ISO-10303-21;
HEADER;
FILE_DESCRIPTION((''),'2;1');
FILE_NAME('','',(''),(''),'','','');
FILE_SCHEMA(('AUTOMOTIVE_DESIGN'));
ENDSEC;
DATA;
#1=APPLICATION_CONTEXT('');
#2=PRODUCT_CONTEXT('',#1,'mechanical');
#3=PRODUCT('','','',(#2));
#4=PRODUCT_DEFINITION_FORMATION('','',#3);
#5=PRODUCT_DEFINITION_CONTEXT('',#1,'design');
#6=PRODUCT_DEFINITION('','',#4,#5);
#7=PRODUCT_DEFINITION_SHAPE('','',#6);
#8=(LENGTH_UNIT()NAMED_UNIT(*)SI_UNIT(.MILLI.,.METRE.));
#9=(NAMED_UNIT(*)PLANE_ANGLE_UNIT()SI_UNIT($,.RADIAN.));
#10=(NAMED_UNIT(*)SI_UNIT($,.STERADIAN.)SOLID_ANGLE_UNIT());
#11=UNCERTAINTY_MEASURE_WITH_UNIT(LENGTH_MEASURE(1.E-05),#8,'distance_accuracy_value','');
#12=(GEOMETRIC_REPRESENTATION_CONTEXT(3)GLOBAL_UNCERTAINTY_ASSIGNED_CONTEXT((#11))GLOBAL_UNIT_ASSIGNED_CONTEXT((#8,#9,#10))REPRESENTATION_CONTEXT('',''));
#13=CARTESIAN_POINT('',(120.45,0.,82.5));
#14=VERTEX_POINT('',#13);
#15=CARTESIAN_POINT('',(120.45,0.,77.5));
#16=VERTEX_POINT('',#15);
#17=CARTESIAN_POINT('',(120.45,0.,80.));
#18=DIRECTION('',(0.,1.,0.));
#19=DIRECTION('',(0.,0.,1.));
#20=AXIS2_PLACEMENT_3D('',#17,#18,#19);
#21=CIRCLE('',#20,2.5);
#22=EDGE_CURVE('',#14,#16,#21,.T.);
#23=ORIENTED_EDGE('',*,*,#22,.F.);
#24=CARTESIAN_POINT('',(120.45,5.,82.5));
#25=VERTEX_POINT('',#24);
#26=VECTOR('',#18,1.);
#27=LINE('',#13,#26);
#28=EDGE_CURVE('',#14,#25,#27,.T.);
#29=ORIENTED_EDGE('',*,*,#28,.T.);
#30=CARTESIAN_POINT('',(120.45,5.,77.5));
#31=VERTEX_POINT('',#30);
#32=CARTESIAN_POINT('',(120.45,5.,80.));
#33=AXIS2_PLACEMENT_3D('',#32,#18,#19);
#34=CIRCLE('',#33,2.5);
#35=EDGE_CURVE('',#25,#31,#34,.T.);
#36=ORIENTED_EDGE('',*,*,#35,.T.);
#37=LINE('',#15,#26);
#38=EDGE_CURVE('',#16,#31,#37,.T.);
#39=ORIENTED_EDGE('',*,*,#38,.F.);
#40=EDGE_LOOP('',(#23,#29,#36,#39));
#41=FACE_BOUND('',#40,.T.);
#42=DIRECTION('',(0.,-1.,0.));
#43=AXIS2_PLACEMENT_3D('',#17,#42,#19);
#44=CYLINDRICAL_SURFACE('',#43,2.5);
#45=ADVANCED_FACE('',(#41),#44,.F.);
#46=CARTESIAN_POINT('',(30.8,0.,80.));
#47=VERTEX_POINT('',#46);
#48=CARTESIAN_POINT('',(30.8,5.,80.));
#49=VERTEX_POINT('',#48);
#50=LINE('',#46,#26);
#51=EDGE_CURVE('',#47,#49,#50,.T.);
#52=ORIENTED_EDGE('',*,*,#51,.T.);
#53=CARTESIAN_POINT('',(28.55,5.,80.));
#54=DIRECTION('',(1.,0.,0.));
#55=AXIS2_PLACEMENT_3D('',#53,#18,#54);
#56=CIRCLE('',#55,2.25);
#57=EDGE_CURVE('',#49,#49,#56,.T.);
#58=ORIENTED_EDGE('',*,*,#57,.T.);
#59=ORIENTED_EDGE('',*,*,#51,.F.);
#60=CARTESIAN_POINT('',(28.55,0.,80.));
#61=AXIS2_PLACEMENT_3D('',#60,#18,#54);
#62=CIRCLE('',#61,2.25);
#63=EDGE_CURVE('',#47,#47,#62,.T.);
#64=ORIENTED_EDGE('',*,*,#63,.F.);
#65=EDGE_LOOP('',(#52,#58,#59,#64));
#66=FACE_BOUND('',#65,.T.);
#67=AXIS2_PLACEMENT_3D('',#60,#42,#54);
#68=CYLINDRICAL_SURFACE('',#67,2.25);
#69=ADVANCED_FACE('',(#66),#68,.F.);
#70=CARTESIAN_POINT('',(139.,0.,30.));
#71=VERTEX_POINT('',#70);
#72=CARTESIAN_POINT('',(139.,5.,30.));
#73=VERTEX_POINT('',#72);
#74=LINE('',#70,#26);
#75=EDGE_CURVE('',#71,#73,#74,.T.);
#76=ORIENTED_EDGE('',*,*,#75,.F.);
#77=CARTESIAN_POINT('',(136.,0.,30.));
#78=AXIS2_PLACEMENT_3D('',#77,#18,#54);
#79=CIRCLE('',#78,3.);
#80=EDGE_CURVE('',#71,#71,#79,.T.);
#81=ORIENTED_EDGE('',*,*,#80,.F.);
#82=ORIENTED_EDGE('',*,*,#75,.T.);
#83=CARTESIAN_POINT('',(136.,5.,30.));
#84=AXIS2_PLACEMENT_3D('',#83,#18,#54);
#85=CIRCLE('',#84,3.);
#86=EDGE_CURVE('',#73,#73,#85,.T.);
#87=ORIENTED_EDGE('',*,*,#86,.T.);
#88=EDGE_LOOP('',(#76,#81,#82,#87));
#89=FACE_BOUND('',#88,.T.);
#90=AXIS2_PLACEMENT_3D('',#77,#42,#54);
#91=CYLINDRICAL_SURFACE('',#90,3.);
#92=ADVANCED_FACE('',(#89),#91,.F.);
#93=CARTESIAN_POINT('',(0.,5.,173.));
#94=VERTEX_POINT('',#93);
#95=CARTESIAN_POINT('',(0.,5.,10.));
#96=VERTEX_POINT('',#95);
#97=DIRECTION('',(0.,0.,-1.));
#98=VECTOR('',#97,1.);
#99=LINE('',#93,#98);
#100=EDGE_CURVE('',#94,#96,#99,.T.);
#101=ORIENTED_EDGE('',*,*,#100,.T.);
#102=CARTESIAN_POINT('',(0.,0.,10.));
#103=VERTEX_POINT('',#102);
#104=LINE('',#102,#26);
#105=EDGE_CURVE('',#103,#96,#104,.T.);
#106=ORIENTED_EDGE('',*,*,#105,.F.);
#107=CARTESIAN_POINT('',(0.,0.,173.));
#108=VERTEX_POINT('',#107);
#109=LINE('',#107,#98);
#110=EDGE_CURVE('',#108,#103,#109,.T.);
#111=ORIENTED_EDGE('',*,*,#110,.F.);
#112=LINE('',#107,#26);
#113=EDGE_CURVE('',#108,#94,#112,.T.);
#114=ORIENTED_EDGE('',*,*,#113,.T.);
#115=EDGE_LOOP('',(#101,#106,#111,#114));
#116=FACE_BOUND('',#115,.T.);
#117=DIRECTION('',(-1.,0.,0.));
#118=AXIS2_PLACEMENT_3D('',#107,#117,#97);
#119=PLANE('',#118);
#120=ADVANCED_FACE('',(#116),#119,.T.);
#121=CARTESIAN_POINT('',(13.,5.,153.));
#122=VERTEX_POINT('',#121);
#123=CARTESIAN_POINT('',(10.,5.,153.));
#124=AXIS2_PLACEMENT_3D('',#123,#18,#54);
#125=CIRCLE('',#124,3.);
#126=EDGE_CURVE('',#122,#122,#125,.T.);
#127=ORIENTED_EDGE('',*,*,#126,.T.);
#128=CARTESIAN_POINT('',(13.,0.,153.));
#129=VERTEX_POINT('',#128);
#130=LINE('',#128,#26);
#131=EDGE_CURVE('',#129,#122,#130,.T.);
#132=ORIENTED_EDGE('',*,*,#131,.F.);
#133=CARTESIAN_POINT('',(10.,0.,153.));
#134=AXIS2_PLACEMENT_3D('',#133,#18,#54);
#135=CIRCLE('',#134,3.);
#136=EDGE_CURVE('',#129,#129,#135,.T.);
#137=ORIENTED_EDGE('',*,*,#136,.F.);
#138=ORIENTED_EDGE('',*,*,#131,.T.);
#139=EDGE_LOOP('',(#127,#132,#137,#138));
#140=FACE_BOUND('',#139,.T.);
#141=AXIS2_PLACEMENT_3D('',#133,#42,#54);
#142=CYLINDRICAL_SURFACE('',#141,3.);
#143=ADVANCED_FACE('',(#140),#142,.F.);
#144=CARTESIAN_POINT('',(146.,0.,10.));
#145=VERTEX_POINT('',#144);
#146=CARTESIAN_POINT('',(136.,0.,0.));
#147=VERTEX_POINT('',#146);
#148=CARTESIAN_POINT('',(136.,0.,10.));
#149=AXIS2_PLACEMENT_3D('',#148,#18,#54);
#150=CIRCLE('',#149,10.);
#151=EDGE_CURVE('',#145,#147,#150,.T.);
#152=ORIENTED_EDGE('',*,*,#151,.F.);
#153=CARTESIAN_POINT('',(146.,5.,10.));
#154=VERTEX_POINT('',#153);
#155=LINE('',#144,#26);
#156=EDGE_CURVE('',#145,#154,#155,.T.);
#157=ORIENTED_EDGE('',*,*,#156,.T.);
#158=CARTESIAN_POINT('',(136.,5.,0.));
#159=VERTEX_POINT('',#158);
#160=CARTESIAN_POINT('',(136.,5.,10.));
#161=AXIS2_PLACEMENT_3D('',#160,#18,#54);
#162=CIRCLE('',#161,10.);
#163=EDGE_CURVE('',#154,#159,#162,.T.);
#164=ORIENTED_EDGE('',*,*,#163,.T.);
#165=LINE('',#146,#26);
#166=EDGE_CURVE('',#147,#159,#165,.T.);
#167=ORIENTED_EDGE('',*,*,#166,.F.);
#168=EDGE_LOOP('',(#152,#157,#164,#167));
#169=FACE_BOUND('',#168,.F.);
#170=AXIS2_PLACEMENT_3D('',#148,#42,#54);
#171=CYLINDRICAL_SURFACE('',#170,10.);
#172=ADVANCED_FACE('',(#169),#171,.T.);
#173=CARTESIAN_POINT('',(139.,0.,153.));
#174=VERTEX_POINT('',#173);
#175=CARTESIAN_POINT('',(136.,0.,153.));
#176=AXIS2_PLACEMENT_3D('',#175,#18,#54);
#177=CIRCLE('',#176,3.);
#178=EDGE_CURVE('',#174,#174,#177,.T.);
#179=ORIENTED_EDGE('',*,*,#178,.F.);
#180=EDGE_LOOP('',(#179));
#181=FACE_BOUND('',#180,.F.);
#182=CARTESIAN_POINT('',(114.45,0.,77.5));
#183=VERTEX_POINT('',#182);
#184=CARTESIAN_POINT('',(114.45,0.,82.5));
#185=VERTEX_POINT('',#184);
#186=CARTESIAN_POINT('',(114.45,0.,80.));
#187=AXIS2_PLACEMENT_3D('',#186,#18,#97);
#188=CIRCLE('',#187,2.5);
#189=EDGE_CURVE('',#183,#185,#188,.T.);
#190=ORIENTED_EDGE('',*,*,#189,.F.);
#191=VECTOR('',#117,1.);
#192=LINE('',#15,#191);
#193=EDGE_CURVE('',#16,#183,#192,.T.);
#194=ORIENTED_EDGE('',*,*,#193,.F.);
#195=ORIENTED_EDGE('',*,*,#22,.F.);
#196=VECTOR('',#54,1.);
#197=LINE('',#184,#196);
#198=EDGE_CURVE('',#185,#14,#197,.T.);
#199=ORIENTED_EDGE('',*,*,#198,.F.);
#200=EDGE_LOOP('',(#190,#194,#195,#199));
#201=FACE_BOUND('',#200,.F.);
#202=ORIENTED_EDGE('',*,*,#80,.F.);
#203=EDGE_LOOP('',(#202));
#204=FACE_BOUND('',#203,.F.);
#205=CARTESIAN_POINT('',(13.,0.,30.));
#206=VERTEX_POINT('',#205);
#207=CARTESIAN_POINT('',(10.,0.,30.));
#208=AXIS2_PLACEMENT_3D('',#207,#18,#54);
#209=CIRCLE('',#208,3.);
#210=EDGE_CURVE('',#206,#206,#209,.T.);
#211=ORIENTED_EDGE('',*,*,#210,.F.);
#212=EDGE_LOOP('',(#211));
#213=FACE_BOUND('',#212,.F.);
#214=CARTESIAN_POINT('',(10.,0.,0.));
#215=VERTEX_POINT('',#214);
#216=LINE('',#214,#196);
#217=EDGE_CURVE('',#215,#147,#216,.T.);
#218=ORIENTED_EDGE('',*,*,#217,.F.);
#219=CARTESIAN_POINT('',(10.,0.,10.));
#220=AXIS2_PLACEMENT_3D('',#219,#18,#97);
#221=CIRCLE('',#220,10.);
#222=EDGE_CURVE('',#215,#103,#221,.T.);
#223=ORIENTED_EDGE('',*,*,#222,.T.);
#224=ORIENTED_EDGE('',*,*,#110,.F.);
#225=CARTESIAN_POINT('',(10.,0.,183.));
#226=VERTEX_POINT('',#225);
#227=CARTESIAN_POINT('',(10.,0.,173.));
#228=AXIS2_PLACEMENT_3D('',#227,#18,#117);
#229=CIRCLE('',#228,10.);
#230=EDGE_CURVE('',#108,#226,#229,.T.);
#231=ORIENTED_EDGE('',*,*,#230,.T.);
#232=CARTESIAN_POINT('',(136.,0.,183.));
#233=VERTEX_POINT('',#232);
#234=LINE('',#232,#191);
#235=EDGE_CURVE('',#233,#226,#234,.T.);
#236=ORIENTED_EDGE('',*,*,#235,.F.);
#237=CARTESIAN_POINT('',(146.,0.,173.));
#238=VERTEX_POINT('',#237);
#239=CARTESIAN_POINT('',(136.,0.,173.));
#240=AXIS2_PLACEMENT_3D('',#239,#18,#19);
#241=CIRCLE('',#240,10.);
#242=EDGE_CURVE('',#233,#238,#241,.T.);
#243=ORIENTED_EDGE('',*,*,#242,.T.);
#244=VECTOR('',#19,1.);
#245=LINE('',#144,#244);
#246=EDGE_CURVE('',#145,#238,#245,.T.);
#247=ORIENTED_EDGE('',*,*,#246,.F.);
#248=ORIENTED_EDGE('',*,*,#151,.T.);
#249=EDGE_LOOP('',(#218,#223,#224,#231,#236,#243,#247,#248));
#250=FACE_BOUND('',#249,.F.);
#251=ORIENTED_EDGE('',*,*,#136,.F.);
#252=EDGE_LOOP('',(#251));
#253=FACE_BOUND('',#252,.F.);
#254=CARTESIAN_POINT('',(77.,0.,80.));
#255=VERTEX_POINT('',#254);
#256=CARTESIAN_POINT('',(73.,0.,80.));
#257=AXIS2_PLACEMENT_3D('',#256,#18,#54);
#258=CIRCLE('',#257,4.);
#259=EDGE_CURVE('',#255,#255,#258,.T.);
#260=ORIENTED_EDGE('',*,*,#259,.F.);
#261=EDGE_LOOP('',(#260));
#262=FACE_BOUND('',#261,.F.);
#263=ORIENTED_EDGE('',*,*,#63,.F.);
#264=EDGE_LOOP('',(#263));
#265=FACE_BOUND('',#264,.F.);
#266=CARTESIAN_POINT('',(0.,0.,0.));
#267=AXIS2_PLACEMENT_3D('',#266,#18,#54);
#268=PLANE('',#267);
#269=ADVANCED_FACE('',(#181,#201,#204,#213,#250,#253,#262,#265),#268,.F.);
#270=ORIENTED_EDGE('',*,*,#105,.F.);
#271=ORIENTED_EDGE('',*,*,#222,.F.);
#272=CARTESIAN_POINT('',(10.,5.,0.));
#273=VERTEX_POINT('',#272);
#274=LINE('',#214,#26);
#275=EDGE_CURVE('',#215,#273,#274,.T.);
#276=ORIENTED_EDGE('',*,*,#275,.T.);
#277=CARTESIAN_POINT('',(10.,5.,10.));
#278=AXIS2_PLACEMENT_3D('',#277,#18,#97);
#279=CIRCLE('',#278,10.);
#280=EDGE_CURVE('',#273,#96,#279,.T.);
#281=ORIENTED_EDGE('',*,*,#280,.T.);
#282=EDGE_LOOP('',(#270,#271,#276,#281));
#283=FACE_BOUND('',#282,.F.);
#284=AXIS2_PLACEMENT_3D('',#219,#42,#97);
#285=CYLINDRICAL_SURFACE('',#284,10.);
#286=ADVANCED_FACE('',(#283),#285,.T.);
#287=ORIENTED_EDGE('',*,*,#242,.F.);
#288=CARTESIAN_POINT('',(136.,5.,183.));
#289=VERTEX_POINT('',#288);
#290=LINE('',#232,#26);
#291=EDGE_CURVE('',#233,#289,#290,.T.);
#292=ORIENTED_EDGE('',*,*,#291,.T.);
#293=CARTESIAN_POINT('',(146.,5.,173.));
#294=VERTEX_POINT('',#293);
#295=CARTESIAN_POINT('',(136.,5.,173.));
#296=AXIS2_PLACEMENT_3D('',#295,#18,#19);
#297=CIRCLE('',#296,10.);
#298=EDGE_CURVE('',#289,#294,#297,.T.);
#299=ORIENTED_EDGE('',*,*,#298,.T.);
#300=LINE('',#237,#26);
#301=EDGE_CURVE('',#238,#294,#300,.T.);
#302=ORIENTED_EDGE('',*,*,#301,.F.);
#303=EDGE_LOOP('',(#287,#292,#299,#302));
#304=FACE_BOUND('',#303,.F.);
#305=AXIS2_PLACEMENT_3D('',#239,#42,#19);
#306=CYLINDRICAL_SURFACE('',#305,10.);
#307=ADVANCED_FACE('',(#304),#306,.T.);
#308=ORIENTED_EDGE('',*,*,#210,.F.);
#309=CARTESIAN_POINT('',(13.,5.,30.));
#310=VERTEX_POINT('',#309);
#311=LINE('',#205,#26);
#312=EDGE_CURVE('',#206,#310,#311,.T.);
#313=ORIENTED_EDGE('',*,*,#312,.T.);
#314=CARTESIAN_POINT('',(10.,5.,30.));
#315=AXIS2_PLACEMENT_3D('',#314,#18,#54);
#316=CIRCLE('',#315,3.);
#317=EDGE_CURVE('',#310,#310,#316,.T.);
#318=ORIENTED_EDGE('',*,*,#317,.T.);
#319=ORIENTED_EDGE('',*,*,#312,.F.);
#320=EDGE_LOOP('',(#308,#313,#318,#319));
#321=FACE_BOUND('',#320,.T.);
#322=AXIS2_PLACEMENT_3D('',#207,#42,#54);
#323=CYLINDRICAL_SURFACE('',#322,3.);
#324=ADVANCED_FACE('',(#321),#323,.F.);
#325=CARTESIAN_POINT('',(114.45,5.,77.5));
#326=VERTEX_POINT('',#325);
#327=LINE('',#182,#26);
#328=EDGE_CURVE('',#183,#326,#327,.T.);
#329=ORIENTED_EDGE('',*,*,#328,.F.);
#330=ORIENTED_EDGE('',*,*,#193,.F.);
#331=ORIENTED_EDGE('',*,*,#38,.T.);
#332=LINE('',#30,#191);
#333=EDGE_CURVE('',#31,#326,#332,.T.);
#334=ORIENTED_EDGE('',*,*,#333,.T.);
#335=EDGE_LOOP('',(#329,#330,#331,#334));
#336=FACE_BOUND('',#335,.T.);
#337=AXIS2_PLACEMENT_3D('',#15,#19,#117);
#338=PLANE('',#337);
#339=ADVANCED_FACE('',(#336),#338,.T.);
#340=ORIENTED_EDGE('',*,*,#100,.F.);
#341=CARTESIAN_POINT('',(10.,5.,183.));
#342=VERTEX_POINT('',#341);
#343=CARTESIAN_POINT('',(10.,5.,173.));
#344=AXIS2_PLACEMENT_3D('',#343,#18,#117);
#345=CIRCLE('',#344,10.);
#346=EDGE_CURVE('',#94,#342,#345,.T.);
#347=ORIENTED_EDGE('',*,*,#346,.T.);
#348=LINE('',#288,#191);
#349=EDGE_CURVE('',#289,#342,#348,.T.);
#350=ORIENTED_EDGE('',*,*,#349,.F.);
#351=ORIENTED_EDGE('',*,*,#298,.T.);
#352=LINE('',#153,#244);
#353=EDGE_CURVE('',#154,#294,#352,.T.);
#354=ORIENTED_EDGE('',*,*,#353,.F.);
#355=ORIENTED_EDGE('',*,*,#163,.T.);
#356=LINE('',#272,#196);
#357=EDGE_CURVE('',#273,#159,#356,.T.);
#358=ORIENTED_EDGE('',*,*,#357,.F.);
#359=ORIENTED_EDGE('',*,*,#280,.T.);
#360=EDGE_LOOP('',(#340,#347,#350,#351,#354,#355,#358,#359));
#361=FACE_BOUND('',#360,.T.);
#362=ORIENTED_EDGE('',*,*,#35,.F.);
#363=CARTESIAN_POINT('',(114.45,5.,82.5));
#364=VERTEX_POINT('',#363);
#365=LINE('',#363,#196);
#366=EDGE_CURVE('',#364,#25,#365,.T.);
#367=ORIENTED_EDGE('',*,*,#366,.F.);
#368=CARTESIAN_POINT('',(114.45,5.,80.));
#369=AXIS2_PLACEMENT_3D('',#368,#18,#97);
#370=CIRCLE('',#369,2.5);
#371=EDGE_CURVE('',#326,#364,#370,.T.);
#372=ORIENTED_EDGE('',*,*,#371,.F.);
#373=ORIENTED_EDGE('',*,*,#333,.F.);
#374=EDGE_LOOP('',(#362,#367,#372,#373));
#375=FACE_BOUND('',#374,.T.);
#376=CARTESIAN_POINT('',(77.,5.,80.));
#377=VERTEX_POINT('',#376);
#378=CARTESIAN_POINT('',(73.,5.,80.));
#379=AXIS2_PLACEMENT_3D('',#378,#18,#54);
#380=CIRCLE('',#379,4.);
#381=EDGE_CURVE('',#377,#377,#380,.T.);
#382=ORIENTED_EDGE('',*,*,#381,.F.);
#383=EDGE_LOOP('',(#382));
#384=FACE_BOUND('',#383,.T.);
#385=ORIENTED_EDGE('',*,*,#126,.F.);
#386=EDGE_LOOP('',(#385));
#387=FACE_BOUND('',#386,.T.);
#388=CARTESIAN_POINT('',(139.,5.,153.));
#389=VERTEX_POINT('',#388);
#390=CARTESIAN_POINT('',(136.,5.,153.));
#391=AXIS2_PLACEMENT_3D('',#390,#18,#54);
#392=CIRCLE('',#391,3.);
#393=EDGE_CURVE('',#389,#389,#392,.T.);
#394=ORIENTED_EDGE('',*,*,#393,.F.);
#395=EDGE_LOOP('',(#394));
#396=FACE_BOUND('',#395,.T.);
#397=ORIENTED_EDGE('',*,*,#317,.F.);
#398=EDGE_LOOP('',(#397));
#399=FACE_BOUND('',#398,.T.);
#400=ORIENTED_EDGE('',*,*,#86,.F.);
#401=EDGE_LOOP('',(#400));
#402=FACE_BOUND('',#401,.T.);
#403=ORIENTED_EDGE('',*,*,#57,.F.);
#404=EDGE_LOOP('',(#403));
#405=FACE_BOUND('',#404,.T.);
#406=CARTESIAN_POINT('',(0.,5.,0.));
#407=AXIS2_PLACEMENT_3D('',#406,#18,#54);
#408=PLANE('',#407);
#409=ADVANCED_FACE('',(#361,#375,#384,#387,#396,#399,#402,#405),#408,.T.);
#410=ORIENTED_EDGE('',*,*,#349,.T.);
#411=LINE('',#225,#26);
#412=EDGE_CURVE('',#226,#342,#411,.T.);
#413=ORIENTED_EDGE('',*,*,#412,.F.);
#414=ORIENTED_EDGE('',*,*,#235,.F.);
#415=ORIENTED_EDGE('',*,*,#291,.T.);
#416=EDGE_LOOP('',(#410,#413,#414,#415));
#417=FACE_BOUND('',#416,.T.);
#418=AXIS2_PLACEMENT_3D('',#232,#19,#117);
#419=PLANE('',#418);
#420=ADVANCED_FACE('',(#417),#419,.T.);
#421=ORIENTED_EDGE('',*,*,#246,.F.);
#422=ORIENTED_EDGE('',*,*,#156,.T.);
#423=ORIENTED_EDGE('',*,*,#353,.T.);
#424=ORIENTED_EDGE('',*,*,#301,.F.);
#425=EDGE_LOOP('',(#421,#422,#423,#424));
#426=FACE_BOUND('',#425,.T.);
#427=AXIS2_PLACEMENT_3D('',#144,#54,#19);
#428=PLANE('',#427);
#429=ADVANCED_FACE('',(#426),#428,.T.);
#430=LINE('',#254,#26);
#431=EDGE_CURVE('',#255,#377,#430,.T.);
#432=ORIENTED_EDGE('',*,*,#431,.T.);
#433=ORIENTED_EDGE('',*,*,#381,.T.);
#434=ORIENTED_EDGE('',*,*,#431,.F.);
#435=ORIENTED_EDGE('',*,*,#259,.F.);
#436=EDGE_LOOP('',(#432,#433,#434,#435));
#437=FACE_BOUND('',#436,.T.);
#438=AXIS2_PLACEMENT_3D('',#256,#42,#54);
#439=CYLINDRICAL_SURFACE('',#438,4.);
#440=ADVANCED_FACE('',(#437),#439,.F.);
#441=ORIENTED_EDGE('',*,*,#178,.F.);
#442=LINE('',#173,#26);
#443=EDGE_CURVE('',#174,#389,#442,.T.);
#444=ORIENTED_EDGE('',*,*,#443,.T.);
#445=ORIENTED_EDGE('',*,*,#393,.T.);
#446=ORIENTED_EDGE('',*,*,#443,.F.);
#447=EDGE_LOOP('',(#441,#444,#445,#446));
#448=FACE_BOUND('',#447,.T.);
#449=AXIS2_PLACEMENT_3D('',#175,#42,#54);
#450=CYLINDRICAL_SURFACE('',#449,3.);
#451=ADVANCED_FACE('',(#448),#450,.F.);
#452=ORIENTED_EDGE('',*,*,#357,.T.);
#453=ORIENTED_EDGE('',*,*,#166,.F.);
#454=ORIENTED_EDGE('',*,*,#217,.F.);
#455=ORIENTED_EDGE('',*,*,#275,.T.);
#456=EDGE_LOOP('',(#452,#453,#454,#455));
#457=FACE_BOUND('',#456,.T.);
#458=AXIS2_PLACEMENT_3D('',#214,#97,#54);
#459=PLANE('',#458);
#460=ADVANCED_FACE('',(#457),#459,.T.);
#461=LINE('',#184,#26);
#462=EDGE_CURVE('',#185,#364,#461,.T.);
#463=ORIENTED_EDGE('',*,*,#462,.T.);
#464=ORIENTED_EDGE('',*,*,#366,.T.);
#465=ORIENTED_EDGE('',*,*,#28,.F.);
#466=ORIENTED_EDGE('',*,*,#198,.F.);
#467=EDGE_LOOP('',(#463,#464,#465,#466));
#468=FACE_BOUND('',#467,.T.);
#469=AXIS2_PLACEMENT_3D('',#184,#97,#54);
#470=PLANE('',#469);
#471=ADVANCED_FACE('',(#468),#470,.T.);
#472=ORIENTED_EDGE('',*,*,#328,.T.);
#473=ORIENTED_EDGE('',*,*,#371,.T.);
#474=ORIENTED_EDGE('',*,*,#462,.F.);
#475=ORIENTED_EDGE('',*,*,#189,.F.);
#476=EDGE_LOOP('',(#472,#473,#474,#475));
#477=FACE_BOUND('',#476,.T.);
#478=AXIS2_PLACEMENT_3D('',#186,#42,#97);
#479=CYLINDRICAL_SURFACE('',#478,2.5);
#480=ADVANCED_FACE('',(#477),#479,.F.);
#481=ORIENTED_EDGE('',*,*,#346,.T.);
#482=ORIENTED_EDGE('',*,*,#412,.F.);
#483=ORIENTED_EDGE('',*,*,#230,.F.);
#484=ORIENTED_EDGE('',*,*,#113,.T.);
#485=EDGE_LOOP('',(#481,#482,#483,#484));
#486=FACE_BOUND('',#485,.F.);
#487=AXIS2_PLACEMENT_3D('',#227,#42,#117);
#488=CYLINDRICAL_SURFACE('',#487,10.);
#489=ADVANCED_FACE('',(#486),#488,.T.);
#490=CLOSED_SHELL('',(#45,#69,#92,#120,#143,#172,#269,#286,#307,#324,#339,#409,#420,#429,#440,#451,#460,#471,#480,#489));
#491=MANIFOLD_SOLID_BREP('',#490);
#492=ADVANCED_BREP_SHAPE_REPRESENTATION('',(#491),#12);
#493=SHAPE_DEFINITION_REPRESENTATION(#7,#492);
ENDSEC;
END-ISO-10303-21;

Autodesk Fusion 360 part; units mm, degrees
sketch "Skizze1" plane through (0, 0, 0) normal (0, 1, 0) x (1, 0, 0)
  line L0 (10, 0) -> (136, 0)
  line L1 (146, -10) -> (146, -173)
  line L2 (136, -183) -> (10, -183)
  line L3 (0, -173) -> (0, -10)
  line L4 (20, -20) -> (126, -20)
  line L5 (126, -20) -> (126, -163)
  line L6 (126, -163) -> (20, -163)
  line L7 (20, -163) -> (20, -20)
  circle A0 centre (10, -30) radius 3
  circle A1 centre (10, -153) radius 3
  circle A2 centre (136, -30) radius 3
  circle A3 centre (136, -153) radius 3
  circle A4 centre (28.55, -80) radius 2.25
  line L8 (120.45, -77.5) -> (114.45, -77.5)
  arc A5 (114.45, -77.5) -> (114.45, -82.5) centre (114.45, -80) ccw
  line L9 (114.45, -82.5) -> (120.45, -82.5)
  arc A6 (120.45, -82.5) -> (120.45, -77.5) centre (120.45, -80) ccw
  line L10 (120.45, -80) -> (114.45, -80) construction
  circle A7 centre (73, -80) radius 4
  arc A8 (10, 0) -> (0, -10) centre (10, -10) ccw
  arc A9 (146, -10) -> (136, 0) centre (136, -10) ccw
  arc A10 (0, -173) -> (10, -183) centre (10, -173) ccw
  arc A11 (136, -183) -> (146, -173) centre (136, -173) ccw
  point P0 (146, 0)
  point P1 (0, -183)
  point P2 (117.45, -80)
  dimension "d1" = 183
  dimension "d2" = 146
  dimension "d3" = 20
  dimension "d4" = 20
  dimension "d5" = 20
  dimension "d6" = 20
  dimension "d7" = 6
  dimension "d8" = 6
  dimension "d9" = 6
  dimension "d10" = 6
  dimension "d11" = 10
  dimension "d12" = 10
  dimension "d13" = 30
  dimension "d14" = 30
  dimension "d15" = 30
  dimension "d16" = 10
  dimension "d17" = 10
  dimension "d18" = 30
  dimension "d19" = 4.5
  dimension "d22" = 8.55
  dimension "d24" = 6
  dimension "d25" = 5
  dimension "d26" = 88.9
  dimension "d27" = 60
  dimension "d28" = 60
  dimension "d30" = 8
  dimension "d31" = 44.45
  dimension "d32" = 60
  dimension "d35" = 10
extrude "Extrusion1" add sketch "Skizze1" along normal blind 5 contours L0 L1 L2 L3 A8 A9 A10 A11 | L4 L5 L6 L7
